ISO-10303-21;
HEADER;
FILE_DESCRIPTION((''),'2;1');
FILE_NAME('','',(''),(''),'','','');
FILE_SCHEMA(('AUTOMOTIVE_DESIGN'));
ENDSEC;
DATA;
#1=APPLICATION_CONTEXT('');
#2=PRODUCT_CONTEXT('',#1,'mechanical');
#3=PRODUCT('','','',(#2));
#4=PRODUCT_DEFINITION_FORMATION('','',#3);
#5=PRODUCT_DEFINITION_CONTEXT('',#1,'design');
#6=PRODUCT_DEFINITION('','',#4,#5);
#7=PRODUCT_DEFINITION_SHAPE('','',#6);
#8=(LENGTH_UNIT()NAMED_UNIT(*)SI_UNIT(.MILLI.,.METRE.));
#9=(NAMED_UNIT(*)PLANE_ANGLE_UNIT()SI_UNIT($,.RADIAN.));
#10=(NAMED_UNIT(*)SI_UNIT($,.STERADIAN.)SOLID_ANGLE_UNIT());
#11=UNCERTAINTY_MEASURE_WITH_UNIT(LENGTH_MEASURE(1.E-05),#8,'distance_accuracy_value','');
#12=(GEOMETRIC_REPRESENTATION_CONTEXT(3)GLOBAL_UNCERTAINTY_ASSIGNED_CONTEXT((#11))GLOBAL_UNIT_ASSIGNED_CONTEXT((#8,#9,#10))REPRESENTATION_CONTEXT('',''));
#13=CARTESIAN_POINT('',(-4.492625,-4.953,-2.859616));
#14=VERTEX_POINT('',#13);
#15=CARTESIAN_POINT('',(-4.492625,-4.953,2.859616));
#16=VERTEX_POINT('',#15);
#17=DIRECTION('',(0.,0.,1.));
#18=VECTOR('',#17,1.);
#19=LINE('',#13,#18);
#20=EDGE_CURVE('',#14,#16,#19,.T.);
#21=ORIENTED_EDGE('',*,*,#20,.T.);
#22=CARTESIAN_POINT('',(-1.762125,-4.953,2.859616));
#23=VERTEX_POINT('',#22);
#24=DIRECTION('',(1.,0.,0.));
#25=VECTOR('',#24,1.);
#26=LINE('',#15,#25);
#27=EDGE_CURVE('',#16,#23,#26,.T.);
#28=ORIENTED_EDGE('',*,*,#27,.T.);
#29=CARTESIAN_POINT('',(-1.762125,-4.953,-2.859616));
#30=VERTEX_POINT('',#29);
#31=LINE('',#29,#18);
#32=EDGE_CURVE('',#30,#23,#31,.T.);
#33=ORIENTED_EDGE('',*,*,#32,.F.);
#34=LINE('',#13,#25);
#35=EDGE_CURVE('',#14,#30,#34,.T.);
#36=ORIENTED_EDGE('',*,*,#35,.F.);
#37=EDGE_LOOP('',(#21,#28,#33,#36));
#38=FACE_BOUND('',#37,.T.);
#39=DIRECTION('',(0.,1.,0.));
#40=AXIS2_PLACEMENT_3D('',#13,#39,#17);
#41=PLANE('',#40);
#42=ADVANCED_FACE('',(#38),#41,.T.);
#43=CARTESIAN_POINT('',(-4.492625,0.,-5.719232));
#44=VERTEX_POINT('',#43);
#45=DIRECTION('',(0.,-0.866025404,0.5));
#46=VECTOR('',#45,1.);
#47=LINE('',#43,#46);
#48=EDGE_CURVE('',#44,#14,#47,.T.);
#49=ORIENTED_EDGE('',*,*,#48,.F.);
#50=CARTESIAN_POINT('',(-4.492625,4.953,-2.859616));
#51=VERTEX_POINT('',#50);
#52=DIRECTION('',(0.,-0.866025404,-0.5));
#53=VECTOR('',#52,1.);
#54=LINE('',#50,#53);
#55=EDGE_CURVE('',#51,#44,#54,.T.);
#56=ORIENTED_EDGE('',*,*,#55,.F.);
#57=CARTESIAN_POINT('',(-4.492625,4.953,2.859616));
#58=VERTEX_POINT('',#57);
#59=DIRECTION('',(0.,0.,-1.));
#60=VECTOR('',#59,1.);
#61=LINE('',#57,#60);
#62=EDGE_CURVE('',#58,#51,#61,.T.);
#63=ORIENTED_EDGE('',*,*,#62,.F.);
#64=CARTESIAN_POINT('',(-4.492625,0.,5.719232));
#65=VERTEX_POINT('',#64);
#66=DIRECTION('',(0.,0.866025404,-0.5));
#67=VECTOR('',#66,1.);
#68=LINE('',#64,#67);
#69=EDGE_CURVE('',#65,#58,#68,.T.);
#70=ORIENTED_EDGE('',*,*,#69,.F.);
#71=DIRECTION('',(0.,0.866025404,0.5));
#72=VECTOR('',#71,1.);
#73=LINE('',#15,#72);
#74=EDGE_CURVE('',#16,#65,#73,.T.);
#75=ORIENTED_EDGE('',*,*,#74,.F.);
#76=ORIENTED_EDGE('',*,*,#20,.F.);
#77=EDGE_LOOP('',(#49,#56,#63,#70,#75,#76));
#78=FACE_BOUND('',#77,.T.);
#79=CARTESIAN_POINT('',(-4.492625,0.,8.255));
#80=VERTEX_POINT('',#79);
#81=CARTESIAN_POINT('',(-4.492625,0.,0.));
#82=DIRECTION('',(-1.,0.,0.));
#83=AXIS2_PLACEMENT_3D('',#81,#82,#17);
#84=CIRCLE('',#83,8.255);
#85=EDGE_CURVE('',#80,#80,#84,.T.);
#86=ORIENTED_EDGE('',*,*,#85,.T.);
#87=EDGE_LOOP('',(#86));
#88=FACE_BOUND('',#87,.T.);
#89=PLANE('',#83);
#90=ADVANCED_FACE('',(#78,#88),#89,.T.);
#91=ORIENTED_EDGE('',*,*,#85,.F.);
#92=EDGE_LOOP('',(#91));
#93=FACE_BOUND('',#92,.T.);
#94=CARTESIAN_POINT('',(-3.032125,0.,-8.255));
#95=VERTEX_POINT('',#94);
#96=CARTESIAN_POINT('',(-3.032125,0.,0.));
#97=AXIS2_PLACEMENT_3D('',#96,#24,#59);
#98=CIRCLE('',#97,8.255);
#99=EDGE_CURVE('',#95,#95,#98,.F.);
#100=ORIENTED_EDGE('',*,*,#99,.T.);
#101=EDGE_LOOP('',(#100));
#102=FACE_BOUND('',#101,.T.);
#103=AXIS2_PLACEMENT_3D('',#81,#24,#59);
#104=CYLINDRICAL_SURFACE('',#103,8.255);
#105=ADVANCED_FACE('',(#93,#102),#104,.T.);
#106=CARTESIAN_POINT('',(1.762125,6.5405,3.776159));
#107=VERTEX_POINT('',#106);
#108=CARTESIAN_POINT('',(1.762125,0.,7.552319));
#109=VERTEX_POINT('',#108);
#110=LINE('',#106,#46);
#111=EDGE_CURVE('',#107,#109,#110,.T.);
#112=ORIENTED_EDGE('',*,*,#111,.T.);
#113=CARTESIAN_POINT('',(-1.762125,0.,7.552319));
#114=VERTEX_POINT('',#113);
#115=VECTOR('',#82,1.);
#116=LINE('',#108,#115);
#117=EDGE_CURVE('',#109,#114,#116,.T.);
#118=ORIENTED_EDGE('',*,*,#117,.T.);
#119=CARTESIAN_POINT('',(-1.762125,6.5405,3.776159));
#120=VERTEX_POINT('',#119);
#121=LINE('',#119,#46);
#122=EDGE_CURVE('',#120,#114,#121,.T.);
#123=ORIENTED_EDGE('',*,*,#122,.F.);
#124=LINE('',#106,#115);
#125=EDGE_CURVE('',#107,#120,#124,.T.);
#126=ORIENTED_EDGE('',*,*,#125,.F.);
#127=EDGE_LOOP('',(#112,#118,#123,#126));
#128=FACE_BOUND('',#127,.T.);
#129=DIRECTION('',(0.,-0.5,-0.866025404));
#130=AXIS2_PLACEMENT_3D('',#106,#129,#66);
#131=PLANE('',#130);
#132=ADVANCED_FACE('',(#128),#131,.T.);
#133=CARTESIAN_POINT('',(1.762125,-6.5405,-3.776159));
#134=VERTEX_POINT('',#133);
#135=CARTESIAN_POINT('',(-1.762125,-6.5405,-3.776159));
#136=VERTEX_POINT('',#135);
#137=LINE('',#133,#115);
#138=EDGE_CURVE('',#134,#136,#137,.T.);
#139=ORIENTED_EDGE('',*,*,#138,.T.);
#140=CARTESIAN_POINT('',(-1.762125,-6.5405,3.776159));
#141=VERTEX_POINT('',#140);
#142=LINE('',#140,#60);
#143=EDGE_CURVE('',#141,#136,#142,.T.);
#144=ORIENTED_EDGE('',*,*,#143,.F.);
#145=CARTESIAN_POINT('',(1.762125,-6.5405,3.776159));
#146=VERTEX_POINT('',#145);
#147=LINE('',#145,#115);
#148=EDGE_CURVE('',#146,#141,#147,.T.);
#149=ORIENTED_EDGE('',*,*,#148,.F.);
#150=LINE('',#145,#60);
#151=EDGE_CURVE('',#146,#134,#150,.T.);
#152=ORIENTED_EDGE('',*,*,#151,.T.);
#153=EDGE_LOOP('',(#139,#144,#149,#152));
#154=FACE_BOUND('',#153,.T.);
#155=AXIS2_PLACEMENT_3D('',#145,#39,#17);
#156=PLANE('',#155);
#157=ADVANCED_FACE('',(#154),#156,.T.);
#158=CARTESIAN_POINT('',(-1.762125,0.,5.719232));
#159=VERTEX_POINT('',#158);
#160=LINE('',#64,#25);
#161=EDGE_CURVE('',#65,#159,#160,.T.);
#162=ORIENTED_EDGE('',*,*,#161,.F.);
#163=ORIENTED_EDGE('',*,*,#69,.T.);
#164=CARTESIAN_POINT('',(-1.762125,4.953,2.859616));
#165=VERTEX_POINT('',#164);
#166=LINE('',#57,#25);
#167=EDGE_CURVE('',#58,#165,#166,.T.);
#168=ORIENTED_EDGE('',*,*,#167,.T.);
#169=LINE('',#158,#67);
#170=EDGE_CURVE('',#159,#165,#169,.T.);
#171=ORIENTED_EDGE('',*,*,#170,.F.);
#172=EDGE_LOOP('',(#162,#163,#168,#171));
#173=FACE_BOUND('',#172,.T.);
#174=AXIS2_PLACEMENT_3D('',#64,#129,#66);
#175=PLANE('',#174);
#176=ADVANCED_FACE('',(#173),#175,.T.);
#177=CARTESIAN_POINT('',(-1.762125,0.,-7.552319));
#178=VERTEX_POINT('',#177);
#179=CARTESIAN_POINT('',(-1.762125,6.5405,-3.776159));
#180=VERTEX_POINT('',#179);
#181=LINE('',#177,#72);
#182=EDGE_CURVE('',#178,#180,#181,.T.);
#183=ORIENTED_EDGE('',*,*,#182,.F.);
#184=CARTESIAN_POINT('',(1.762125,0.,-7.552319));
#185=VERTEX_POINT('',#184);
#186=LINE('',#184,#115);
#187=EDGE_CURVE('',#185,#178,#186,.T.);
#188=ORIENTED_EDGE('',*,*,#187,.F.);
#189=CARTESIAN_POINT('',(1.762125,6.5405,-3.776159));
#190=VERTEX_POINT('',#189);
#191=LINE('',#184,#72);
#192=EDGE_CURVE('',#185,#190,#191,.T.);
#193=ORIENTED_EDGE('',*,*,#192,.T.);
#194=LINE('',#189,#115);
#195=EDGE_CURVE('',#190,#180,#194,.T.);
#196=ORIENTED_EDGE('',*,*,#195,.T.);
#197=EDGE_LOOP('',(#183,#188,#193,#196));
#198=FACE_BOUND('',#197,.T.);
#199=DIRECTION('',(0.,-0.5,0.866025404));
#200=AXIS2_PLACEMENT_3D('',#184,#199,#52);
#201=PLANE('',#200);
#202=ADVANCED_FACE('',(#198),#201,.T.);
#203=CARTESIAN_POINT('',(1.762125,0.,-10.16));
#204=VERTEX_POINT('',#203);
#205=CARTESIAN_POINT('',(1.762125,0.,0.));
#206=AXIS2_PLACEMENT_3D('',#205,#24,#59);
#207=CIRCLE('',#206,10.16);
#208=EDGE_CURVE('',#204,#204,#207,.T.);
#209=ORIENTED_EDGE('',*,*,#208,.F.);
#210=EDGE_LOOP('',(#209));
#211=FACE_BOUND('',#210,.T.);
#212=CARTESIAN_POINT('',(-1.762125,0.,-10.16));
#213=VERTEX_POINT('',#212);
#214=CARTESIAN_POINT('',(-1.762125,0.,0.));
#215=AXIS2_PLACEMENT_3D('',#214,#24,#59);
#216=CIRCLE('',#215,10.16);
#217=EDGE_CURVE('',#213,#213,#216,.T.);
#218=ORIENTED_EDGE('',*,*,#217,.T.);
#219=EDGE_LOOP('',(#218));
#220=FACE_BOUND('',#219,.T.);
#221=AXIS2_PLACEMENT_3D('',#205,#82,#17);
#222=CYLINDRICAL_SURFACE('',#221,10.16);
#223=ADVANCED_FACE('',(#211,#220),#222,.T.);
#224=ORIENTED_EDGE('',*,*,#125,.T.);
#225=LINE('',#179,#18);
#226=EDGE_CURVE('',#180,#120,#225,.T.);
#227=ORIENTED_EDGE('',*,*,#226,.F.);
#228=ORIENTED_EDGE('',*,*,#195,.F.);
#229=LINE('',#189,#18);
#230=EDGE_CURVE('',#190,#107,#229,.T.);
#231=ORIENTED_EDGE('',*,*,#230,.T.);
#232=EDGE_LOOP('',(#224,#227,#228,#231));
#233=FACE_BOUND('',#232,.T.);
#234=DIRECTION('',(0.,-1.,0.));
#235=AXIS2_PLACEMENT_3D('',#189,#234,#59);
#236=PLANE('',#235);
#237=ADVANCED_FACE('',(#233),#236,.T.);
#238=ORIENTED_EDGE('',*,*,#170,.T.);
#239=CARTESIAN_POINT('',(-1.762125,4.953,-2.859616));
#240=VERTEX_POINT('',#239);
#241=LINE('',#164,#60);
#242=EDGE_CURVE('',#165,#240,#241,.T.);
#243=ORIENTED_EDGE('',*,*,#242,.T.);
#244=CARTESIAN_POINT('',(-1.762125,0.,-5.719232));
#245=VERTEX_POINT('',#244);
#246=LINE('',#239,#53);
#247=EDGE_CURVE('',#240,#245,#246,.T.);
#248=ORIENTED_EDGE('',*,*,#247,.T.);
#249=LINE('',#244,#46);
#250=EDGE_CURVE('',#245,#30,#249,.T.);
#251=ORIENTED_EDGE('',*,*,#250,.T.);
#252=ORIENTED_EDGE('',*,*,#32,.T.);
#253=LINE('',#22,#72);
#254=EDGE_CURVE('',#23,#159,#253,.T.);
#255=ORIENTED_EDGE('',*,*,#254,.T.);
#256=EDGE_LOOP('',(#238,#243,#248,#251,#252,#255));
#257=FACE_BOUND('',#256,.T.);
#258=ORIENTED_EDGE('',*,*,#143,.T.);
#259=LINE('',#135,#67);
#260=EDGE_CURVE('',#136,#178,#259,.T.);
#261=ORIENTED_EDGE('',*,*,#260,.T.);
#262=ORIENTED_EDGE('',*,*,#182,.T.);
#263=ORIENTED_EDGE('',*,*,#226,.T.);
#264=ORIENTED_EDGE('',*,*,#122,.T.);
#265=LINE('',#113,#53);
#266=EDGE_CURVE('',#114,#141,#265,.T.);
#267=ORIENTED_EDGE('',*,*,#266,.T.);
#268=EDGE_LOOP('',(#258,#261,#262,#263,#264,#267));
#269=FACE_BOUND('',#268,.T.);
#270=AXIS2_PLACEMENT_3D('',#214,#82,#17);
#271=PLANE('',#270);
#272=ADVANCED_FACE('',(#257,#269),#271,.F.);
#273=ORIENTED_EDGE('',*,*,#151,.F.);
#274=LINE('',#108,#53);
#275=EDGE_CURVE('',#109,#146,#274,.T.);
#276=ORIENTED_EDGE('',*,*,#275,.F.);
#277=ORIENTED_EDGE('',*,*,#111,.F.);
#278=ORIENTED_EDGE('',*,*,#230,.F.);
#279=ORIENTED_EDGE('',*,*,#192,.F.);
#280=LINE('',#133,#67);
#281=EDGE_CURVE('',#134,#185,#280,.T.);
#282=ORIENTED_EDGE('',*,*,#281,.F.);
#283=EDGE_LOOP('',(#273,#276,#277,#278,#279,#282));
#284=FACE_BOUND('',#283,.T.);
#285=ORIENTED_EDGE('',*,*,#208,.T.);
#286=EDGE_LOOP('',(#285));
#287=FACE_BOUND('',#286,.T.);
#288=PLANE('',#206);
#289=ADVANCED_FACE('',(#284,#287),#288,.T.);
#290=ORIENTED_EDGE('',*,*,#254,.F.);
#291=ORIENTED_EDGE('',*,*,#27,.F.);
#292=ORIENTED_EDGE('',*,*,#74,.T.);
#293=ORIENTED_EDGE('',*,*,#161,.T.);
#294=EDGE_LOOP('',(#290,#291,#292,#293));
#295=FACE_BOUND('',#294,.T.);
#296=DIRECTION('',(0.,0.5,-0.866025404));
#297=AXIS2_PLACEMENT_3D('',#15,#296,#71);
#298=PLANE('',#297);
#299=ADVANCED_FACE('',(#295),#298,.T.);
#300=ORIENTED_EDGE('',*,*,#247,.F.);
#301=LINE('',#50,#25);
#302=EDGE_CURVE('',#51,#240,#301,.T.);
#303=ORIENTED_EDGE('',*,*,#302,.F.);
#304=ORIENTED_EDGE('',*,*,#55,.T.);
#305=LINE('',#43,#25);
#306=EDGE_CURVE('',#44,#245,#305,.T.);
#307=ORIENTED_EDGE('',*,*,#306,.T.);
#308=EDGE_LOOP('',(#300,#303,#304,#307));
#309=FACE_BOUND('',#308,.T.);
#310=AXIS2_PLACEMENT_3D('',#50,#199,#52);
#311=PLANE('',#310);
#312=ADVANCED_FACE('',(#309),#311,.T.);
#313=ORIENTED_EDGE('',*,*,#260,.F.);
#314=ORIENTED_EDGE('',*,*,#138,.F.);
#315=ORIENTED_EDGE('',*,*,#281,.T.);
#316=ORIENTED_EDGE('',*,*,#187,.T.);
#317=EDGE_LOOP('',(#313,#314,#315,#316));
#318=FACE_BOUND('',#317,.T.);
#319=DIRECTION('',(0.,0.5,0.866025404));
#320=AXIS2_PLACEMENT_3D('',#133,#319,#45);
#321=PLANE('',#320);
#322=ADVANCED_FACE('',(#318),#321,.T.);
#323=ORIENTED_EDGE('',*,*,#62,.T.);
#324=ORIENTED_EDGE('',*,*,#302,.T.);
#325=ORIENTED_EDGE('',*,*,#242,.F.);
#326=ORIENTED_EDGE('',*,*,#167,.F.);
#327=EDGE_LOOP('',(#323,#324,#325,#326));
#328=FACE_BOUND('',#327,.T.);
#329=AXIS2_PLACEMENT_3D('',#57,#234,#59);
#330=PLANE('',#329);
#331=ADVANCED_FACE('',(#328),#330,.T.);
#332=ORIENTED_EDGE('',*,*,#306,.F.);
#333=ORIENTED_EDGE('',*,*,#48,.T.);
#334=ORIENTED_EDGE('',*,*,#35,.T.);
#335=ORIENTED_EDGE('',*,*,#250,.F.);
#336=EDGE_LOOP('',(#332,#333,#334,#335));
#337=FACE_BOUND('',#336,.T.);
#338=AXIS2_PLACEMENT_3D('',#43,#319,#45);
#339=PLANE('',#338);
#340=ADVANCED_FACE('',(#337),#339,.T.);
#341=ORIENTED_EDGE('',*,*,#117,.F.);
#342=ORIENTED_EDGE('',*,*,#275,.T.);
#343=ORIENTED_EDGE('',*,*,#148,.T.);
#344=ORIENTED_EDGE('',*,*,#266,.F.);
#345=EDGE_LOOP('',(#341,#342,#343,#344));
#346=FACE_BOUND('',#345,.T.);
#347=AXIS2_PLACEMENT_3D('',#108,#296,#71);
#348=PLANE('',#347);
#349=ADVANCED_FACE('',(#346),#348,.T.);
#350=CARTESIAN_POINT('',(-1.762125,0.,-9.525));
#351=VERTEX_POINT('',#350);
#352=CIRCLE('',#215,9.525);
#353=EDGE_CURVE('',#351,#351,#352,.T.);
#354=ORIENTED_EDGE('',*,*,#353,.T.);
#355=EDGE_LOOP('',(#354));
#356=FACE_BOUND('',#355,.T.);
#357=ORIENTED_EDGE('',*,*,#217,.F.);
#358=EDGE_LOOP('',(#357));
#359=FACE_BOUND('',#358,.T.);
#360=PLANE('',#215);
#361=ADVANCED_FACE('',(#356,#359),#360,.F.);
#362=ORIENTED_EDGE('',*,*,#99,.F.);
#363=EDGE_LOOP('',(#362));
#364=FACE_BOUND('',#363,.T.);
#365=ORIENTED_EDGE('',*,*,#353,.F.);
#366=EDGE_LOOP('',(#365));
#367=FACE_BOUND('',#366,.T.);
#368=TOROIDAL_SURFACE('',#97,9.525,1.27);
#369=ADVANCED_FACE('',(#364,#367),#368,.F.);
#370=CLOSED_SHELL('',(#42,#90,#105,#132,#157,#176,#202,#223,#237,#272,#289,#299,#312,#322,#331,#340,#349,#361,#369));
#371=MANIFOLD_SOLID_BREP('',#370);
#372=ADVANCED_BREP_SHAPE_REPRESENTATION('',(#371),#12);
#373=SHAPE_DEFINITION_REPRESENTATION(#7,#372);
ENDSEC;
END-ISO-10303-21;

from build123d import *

# Parameters (mm, degrees)
SKETCH1_R           = 10.16
BOSS_EXTRUDE1_DEPTH = 1.762125
SKETCH2_R           = 8.255
BOSS_EXTRUDE2_DEPTH = 2.7305
FILLET1_R           = 1.27


with BuildPart() as part:
    # Sketch1 → Boss-Extrude1 (new, symmetric)
    with BuildSketch(Plane(origin=(0, 0, 0), x_dir=(0, 0, -1), z_dir=(1, 0, 0))):
        Circle(SKETCH1_R)
        Polygon((7.552318871, 0), (3.776159436, 6.5405), (-3.776159436, 6.5405), (-7.552318871, 0), (-3.776159436, -6.5405), (3.776159436, -6.5405), align=None, mode=Mode.SUBTRACT)
    extrude(amount=BOSS_EXTRUDE1_DEPTH, both=True)

    # Sketch2 → Boss-Extrude2 (add)
    with BuildSketch(Plane.ZY.offset(1.762125)):
        with Locations(Location((0, 0, 0), (0, 0, 180))):
            Circle(SKETCH2_R)
        Polygon((5.719231767, 0), (2.859615883, 4.953), (-2.859615883, 4.953), (-5.719231767, 0), (-2.859615883, -4.953), (2.859615883, -4.953), align=None, mode=Mode.SUBTRACT)
    extrude(amount=BOSS_EXTRUDE2_DEPTH)

    # Fillet1
    fillet1_edges = [part.edges().sort_by_distance(p)[0] for p in [
        (-1.762125, 0, 8.255),
    ]]
    fillet(fillet1_edges, radius=FILLET1_R)


solid = part.part
